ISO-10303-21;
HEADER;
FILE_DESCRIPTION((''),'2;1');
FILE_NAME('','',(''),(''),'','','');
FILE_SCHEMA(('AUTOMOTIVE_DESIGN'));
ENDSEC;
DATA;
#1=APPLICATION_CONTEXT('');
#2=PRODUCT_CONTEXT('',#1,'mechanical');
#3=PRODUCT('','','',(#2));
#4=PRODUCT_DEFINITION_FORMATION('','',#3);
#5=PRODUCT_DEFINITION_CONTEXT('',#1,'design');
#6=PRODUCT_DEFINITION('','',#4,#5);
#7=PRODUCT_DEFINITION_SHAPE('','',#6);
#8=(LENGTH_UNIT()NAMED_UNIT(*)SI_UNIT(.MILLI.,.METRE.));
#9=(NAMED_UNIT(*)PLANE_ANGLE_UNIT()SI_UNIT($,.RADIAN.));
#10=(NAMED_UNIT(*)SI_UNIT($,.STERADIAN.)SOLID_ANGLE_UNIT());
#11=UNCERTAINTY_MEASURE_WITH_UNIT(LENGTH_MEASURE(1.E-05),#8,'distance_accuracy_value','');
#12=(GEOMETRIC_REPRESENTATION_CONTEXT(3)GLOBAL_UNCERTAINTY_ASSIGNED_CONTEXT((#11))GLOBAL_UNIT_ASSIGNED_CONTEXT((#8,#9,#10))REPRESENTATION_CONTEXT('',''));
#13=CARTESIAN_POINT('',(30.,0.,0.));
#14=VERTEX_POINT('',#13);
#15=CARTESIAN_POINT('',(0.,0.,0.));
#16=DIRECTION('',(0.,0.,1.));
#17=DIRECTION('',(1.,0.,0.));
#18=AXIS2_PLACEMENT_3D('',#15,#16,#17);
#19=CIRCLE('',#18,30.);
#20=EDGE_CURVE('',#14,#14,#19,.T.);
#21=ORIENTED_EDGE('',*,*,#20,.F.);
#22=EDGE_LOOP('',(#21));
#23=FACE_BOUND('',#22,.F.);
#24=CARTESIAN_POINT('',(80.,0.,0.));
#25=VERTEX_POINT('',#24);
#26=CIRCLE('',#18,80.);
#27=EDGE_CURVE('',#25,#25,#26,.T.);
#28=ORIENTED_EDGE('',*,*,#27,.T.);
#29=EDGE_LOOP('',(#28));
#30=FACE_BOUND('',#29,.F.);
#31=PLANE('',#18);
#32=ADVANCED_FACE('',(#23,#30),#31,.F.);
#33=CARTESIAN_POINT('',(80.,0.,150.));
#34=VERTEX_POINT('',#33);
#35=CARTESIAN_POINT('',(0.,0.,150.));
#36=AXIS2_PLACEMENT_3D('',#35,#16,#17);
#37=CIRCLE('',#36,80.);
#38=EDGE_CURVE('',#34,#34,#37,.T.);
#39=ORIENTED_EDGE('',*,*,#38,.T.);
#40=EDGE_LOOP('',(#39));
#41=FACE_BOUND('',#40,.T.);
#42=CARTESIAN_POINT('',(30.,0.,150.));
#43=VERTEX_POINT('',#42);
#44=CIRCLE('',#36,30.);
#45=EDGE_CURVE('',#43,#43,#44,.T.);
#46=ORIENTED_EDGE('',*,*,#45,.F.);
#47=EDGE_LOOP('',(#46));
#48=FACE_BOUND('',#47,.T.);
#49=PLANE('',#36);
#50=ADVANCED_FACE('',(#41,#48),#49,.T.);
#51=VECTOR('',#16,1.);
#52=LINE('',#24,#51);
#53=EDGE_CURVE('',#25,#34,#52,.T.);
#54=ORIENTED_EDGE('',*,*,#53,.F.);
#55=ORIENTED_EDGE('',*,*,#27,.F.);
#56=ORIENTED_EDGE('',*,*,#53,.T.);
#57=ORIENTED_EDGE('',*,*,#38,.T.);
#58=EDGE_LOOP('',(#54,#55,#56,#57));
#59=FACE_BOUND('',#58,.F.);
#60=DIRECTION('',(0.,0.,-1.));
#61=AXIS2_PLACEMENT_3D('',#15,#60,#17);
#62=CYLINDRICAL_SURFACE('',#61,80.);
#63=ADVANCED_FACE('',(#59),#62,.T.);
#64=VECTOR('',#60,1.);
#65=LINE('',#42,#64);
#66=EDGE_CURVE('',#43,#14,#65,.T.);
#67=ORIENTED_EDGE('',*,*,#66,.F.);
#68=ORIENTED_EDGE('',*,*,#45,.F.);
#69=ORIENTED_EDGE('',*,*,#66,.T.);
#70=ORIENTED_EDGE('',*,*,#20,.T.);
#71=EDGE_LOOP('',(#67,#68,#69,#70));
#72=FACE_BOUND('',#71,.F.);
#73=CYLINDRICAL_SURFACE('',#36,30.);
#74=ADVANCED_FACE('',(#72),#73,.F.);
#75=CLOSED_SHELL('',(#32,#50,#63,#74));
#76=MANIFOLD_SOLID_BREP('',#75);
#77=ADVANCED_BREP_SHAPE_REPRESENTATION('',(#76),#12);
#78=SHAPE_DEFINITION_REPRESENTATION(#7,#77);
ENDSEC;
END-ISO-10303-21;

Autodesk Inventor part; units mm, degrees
ref_plane "YZ Plane" through (0, 0, 0) normal (1, 0, 0) x (0, 1, 0)
ref_plane "XZ Plane" through (0, 0, 0) normal (0, 1, 0) x (-1, 0, 0)
ref_plane "XY Plane" through (0, 0, 0) normal (0, 0, 1) x (1, 0, 0)
sketch "Sketch1" plane through (0, 0, 0) normal (0, 0, 1) x (1, 0, 0)
  circle A0 centre (0, 0) radius 80
  dimension "d0" = 160
extrude "Extrusion1" add sketch "Sketch1" along normal blind 150
sketch "Sketch2" plane through (0, 0, 150) normal (0, 0, 1) x (1, 0, 0)
  circle A0 centre (0, 0) radius 80 projected
  circle A1 centre (0, 0) radius 30
  dimension "d3" = 60
extrude "Extrusion2" cut sketch "Sketch2" against normal blind 150 contours A1
properties part number "sambungan ke kepala 1"
